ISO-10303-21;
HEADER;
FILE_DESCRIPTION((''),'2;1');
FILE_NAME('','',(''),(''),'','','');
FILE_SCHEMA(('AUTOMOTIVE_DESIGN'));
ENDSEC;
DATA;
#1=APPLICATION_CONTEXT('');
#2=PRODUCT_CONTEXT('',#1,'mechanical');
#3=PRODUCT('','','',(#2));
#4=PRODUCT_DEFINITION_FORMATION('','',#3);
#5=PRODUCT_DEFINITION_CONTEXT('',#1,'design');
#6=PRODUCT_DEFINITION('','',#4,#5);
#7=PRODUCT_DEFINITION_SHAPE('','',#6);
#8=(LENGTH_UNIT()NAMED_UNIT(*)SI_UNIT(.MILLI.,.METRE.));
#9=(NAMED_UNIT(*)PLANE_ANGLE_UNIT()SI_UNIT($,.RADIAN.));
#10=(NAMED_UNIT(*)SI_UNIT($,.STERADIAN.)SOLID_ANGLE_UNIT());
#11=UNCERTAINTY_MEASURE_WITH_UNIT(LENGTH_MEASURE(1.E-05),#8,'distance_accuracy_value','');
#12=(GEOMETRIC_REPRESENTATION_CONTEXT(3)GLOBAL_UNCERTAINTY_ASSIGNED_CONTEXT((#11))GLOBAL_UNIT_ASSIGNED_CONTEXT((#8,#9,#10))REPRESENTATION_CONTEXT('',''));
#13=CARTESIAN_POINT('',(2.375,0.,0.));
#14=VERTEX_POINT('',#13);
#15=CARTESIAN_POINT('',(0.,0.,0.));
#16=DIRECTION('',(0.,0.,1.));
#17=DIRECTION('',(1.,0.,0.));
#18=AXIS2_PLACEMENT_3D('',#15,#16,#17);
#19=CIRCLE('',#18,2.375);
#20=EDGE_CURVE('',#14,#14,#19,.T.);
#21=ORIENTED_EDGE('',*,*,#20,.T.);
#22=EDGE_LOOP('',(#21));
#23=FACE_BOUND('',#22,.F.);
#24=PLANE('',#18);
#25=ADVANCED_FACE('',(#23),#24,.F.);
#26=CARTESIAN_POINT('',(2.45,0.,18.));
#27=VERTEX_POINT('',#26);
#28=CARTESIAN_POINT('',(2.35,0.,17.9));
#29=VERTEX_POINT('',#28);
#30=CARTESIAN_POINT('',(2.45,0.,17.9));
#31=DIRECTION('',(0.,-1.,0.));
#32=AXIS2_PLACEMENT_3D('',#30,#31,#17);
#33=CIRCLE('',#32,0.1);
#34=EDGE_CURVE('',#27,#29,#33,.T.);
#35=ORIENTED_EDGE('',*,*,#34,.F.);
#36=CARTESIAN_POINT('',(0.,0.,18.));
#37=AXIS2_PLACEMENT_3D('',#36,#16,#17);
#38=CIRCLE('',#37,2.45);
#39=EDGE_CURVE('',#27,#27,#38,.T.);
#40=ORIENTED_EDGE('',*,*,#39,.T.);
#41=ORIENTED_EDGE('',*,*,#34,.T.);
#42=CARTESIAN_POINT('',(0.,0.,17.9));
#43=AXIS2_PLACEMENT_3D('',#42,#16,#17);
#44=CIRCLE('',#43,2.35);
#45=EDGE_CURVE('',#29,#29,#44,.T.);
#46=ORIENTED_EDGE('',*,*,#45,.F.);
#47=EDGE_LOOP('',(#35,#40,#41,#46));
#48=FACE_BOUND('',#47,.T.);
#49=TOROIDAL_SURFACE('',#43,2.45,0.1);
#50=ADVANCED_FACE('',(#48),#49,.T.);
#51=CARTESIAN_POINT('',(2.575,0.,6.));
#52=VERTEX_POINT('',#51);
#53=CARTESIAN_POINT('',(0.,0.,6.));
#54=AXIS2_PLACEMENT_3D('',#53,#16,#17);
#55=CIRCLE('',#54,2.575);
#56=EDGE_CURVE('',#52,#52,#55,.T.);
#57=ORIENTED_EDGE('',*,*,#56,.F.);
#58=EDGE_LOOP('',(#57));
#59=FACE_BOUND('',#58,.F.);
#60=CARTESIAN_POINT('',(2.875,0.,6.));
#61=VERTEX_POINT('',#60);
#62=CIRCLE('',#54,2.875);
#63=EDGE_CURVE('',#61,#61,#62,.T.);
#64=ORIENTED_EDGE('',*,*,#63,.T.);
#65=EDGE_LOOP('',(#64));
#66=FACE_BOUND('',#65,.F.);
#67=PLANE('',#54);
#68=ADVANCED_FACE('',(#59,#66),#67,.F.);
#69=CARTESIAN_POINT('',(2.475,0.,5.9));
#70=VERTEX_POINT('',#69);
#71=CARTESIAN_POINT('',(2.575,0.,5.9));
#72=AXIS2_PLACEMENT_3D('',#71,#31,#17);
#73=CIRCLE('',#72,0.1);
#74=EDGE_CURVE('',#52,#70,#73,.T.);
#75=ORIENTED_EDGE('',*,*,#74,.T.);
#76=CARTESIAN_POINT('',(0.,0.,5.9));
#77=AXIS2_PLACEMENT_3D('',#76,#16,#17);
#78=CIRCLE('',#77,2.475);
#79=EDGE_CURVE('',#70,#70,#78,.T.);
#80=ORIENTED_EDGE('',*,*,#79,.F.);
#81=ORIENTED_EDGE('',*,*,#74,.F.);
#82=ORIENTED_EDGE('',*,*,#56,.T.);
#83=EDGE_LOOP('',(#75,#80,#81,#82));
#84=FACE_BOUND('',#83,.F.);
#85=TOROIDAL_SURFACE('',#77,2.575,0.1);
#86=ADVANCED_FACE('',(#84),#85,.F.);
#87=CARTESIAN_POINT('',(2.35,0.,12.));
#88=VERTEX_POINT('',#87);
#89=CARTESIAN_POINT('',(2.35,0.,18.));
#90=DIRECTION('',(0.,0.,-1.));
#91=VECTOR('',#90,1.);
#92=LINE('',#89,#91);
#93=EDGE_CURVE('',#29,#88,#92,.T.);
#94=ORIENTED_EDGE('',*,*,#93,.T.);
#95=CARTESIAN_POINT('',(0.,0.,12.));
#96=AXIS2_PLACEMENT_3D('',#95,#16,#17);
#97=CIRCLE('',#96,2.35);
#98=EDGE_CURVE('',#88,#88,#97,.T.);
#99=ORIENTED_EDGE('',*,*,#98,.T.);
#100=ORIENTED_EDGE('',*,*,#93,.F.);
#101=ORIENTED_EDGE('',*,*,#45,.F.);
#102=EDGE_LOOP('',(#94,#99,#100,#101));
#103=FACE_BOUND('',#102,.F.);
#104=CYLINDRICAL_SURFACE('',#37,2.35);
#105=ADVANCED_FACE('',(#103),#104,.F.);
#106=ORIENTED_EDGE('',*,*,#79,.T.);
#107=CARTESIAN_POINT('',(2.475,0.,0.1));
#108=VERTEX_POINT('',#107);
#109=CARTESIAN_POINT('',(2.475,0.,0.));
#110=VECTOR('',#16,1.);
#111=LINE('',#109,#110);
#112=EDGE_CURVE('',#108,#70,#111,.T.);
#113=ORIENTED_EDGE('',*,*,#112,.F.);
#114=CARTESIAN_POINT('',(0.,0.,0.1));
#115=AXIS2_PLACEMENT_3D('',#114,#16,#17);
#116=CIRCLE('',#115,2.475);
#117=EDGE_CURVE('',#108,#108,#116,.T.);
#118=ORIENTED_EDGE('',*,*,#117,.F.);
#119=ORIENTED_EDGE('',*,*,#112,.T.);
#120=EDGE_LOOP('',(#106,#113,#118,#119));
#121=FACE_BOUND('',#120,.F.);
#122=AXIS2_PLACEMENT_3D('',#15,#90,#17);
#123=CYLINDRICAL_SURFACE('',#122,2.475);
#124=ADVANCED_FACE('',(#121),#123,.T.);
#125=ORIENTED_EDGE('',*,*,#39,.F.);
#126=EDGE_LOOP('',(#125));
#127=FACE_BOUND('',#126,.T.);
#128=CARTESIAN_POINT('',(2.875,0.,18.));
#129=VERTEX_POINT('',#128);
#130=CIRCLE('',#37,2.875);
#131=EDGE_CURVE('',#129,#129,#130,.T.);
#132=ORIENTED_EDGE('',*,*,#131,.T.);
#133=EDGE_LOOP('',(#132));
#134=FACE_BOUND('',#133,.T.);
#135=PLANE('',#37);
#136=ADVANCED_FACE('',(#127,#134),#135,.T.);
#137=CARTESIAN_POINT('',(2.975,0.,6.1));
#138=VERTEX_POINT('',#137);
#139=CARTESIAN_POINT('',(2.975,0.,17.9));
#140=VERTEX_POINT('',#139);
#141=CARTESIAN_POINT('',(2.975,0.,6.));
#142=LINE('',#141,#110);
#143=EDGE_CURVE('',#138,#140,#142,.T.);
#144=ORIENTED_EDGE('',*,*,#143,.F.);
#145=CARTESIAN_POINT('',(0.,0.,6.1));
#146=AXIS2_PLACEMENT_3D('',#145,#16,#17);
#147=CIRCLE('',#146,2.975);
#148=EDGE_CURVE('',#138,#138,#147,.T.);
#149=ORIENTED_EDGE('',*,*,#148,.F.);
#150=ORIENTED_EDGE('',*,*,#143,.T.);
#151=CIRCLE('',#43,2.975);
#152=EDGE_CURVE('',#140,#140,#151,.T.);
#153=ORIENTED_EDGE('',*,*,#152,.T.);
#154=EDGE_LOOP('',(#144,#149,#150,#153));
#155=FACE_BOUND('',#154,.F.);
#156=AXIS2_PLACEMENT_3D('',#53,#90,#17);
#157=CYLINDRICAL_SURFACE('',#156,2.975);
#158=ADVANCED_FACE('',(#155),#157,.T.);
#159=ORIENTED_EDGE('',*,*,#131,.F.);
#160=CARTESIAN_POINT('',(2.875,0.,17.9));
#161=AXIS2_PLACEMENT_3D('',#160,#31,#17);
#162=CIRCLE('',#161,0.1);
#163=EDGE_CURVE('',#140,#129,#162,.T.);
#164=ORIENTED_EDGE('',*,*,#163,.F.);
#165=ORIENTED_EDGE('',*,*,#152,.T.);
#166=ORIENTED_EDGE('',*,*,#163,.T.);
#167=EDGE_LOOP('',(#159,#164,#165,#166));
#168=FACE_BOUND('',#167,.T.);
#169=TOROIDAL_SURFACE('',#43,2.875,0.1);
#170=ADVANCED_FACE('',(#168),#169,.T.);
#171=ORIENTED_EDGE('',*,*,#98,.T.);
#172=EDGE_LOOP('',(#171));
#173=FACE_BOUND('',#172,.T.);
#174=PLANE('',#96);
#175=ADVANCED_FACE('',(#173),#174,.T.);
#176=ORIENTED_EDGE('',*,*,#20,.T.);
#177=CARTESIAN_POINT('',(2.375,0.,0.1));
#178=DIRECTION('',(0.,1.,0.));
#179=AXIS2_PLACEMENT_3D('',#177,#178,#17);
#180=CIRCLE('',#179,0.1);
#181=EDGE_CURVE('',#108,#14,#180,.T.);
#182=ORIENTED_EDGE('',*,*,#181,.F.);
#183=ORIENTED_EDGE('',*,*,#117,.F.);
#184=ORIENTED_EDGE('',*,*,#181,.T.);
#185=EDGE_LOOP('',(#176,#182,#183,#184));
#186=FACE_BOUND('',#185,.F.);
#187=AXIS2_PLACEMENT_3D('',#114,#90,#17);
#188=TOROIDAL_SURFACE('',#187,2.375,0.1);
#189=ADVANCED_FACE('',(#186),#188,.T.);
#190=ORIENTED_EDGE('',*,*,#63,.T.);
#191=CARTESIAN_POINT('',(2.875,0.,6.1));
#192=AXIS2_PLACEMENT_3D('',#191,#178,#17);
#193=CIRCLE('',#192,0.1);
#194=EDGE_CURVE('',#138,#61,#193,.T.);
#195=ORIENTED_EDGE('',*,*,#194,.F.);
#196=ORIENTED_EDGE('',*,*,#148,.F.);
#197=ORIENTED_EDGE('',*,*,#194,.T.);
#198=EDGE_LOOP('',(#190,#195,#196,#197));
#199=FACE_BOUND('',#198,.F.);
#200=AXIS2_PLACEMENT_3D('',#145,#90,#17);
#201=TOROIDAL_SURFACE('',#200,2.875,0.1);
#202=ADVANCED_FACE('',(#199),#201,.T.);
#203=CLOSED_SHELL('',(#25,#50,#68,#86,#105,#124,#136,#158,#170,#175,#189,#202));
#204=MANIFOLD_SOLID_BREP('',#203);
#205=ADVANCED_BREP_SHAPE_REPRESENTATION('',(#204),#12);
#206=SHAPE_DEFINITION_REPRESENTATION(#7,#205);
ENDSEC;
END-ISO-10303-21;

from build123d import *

# Parameters (mm, degrees)
F0_R     = 2.475
F1_DEPTH = 6
F2_R     = 2.975
F3_DEPTH = 12
F4_R     = 2.35
F5_DEPTH = 6
F6_R     = 0.1


with BuildPart() as f1:
    # F0 (on Top) → F1 (new body)
    with BuildSketch(Plane.XY):
        Circle(F0_R)
    extrude(amount=F1_DEPTH)

    # F2 (on face) → F3 (join)
    with BuildSketch(Plane.XY.offset(6)):
        Circle(F2_R)
    extrude(amount=F3_DEPTH)

    # F4 (on face) → F5 (cut)
    with BuildSketch(Plane.XY.offset(18)):
        Circle(F4_R)
    extrude(amount=-F5_DEPTH, mode=Mode.SUBTRACT)

    # F6
    f6_edges = [f1.edges().sort_by_distance(p)[0] for p in [
        (-2.475, 0, 0),
        (-2.975, 0, 18),
        (-2.35, 0, 18),
        (-2.975, 0, 6),
        (-2.475, 0, 6),
    ]]
    fillet(f6_edges, radius=F6_R)


solid = f1.part
